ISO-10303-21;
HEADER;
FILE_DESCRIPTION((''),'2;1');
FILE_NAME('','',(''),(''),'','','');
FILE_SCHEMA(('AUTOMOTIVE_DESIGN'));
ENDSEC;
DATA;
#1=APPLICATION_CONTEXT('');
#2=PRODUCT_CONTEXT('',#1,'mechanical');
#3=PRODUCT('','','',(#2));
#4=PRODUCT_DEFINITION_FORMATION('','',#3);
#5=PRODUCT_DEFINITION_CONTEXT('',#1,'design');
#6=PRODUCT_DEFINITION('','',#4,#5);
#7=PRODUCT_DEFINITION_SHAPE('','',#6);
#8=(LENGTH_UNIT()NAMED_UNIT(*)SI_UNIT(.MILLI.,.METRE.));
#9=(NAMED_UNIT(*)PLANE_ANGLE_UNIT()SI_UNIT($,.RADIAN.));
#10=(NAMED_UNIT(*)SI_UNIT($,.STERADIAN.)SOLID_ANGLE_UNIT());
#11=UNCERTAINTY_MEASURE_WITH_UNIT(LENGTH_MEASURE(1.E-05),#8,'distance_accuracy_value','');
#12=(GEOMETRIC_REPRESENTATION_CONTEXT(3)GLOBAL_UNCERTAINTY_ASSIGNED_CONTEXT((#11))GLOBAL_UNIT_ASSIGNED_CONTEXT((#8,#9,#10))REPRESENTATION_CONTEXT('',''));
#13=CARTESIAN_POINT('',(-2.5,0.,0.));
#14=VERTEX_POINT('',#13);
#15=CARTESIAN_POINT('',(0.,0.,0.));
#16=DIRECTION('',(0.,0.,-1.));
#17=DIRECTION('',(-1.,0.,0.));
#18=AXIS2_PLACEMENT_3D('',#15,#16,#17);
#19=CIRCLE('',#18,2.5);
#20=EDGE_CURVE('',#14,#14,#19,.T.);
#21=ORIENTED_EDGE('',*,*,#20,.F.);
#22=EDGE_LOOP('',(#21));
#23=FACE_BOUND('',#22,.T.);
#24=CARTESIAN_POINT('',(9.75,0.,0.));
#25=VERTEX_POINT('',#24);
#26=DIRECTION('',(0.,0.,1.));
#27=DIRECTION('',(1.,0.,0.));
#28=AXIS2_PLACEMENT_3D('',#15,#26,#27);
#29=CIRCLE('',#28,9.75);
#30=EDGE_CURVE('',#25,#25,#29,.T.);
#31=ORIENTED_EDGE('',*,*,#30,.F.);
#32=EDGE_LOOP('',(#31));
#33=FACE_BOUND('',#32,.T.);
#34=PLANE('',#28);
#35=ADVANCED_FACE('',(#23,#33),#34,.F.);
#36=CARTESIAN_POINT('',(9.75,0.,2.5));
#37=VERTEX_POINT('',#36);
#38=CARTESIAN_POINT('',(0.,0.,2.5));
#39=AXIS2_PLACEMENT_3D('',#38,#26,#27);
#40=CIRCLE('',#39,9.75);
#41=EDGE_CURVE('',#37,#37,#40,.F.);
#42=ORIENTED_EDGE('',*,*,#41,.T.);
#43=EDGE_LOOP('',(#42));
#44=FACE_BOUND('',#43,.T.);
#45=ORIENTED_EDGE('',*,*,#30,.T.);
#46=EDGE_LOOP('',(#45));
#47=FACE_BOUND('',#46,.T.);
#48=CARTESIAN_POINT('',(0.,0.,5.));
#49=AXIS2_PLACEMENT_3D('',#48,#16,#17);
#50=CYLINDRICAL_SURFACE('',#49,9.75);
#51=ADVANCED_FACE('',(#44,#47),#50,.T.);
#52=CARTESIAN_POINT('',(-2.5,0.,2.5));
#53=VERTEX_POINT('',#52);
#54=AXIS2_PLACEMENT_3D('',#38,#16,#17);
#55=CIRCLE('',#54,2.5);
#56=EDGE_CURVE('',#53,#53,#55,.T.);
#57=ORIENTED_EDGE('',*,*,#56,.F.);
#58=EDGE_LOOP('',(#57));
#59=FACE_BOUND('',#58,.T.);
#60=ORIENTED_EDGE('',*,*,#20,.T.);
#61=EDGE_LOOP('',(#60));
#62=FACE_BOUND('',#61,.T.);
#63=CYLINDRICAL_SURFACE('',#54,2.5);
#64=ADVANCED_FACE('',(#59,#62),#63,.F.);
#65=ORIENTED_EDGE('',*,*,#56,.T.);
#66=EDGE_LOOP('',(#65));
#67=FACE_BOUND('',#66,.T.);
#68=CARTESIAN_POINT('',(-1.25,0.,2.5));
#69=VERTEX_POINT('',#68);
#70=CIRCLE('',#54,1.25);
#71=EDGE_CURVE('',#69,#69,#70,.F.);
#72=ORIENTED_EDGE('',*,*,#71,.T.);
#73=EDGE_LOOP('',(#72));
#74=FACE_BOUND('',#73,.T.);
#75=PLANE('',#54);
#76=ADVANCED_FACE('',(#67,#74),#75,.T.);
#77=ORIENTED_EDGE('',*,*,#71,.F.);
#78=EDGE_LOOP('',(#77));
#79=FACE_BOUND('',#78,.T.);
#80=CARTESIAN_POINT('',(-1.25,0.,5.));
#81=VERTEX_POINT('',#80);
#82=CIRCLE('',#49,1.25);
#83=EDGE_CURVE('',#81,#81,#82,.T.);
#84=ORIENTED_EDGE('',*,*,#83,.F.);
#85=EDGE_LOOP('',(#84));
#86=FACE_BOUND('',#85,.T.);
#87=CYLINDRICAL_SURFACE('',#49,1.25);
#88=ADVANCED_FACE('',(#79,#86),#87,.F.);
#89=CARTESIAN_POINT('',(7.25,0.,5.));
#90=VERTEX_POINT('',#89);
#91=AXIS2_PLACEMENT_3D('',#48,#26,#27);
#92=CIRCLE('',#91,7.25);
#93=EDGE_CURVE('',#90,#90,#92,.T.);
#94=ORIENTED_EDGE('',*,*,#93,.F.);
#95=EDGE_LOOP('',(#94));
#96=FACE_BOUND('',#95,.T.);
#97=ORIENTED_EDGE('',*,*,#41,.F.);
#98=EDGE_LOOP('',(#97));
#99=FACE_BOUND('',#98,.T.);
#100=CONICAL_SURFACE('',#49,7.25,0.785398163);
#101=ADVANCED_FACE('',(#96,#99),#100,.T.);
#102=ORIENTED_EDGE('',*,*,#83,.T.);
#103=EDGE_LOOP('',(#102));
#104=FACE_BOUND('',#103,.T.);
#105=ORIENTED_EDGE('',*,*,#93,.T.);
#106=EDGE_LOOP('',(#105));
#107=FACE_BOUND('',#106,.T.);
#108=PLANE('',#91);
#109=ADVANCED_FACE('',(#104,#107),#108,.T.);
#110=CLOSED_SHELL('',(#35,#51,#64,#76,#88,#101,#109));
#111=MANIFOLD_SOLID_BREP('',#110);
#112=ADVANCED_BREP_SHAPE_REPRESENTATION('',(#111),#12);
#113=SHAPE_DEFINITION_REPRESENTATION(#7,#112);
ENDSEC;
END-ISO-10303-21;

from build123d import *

# Parameters (mm, degrees)
SKETCH1_R           = 9.75
BOSS_EXTRUDE1_DEPTH = 5
SKETCH2_R           = 1.25
CUT_EXTRUDE1_DEPTH  = 5
CHAMFER1_SIZE       = 2.5
SKETCH4_R           = 2.5
CUT_EXTRUDE3_DEPTH  = 2.5


with BuildPart() as part:
    # Sketch1 → Boss-Extrude1 (new body)
    with BuildSketch(Plane.XY):
        Circle(SKETCH1_R)
    extrude(amount=BOSS_EXTRUDE1_DEPTH)

    # Sketch2 → Cut-Extrude1 (cut)
    with BuildSketch(Plane(origin=(0, 0, 0), x_dir=(-1, 0, 0), z_dir=(0, 0, -1))):
        Circle(SKETCH2_R)
    extrude(amount=-CUT_EXTRUDE1_DEPTH, mode=Mode.SUBTRACT)

    # Chamfer1
    chamfer1_edges = [part.edges().sort_by_distance(p)[0] for p in [
        (-9.75, 0, 5),
    ]]
    chamfer(chamfer1_edges, length=CHAMFER1_SIZE)

    # Sketch4 → Cut-Extrude3 (cut)
    with BuildSketch(Plane(origin=(0, 0, 0), x_dir=(-1, 0, 0), z_dir=(0, 0, -1))):
        Circle(SKETCH4_R)
    extrude(amount=-CUT_EXTRUDE3_DEPTH, mode=Mode.SUBTRACT)


solid = part.part
